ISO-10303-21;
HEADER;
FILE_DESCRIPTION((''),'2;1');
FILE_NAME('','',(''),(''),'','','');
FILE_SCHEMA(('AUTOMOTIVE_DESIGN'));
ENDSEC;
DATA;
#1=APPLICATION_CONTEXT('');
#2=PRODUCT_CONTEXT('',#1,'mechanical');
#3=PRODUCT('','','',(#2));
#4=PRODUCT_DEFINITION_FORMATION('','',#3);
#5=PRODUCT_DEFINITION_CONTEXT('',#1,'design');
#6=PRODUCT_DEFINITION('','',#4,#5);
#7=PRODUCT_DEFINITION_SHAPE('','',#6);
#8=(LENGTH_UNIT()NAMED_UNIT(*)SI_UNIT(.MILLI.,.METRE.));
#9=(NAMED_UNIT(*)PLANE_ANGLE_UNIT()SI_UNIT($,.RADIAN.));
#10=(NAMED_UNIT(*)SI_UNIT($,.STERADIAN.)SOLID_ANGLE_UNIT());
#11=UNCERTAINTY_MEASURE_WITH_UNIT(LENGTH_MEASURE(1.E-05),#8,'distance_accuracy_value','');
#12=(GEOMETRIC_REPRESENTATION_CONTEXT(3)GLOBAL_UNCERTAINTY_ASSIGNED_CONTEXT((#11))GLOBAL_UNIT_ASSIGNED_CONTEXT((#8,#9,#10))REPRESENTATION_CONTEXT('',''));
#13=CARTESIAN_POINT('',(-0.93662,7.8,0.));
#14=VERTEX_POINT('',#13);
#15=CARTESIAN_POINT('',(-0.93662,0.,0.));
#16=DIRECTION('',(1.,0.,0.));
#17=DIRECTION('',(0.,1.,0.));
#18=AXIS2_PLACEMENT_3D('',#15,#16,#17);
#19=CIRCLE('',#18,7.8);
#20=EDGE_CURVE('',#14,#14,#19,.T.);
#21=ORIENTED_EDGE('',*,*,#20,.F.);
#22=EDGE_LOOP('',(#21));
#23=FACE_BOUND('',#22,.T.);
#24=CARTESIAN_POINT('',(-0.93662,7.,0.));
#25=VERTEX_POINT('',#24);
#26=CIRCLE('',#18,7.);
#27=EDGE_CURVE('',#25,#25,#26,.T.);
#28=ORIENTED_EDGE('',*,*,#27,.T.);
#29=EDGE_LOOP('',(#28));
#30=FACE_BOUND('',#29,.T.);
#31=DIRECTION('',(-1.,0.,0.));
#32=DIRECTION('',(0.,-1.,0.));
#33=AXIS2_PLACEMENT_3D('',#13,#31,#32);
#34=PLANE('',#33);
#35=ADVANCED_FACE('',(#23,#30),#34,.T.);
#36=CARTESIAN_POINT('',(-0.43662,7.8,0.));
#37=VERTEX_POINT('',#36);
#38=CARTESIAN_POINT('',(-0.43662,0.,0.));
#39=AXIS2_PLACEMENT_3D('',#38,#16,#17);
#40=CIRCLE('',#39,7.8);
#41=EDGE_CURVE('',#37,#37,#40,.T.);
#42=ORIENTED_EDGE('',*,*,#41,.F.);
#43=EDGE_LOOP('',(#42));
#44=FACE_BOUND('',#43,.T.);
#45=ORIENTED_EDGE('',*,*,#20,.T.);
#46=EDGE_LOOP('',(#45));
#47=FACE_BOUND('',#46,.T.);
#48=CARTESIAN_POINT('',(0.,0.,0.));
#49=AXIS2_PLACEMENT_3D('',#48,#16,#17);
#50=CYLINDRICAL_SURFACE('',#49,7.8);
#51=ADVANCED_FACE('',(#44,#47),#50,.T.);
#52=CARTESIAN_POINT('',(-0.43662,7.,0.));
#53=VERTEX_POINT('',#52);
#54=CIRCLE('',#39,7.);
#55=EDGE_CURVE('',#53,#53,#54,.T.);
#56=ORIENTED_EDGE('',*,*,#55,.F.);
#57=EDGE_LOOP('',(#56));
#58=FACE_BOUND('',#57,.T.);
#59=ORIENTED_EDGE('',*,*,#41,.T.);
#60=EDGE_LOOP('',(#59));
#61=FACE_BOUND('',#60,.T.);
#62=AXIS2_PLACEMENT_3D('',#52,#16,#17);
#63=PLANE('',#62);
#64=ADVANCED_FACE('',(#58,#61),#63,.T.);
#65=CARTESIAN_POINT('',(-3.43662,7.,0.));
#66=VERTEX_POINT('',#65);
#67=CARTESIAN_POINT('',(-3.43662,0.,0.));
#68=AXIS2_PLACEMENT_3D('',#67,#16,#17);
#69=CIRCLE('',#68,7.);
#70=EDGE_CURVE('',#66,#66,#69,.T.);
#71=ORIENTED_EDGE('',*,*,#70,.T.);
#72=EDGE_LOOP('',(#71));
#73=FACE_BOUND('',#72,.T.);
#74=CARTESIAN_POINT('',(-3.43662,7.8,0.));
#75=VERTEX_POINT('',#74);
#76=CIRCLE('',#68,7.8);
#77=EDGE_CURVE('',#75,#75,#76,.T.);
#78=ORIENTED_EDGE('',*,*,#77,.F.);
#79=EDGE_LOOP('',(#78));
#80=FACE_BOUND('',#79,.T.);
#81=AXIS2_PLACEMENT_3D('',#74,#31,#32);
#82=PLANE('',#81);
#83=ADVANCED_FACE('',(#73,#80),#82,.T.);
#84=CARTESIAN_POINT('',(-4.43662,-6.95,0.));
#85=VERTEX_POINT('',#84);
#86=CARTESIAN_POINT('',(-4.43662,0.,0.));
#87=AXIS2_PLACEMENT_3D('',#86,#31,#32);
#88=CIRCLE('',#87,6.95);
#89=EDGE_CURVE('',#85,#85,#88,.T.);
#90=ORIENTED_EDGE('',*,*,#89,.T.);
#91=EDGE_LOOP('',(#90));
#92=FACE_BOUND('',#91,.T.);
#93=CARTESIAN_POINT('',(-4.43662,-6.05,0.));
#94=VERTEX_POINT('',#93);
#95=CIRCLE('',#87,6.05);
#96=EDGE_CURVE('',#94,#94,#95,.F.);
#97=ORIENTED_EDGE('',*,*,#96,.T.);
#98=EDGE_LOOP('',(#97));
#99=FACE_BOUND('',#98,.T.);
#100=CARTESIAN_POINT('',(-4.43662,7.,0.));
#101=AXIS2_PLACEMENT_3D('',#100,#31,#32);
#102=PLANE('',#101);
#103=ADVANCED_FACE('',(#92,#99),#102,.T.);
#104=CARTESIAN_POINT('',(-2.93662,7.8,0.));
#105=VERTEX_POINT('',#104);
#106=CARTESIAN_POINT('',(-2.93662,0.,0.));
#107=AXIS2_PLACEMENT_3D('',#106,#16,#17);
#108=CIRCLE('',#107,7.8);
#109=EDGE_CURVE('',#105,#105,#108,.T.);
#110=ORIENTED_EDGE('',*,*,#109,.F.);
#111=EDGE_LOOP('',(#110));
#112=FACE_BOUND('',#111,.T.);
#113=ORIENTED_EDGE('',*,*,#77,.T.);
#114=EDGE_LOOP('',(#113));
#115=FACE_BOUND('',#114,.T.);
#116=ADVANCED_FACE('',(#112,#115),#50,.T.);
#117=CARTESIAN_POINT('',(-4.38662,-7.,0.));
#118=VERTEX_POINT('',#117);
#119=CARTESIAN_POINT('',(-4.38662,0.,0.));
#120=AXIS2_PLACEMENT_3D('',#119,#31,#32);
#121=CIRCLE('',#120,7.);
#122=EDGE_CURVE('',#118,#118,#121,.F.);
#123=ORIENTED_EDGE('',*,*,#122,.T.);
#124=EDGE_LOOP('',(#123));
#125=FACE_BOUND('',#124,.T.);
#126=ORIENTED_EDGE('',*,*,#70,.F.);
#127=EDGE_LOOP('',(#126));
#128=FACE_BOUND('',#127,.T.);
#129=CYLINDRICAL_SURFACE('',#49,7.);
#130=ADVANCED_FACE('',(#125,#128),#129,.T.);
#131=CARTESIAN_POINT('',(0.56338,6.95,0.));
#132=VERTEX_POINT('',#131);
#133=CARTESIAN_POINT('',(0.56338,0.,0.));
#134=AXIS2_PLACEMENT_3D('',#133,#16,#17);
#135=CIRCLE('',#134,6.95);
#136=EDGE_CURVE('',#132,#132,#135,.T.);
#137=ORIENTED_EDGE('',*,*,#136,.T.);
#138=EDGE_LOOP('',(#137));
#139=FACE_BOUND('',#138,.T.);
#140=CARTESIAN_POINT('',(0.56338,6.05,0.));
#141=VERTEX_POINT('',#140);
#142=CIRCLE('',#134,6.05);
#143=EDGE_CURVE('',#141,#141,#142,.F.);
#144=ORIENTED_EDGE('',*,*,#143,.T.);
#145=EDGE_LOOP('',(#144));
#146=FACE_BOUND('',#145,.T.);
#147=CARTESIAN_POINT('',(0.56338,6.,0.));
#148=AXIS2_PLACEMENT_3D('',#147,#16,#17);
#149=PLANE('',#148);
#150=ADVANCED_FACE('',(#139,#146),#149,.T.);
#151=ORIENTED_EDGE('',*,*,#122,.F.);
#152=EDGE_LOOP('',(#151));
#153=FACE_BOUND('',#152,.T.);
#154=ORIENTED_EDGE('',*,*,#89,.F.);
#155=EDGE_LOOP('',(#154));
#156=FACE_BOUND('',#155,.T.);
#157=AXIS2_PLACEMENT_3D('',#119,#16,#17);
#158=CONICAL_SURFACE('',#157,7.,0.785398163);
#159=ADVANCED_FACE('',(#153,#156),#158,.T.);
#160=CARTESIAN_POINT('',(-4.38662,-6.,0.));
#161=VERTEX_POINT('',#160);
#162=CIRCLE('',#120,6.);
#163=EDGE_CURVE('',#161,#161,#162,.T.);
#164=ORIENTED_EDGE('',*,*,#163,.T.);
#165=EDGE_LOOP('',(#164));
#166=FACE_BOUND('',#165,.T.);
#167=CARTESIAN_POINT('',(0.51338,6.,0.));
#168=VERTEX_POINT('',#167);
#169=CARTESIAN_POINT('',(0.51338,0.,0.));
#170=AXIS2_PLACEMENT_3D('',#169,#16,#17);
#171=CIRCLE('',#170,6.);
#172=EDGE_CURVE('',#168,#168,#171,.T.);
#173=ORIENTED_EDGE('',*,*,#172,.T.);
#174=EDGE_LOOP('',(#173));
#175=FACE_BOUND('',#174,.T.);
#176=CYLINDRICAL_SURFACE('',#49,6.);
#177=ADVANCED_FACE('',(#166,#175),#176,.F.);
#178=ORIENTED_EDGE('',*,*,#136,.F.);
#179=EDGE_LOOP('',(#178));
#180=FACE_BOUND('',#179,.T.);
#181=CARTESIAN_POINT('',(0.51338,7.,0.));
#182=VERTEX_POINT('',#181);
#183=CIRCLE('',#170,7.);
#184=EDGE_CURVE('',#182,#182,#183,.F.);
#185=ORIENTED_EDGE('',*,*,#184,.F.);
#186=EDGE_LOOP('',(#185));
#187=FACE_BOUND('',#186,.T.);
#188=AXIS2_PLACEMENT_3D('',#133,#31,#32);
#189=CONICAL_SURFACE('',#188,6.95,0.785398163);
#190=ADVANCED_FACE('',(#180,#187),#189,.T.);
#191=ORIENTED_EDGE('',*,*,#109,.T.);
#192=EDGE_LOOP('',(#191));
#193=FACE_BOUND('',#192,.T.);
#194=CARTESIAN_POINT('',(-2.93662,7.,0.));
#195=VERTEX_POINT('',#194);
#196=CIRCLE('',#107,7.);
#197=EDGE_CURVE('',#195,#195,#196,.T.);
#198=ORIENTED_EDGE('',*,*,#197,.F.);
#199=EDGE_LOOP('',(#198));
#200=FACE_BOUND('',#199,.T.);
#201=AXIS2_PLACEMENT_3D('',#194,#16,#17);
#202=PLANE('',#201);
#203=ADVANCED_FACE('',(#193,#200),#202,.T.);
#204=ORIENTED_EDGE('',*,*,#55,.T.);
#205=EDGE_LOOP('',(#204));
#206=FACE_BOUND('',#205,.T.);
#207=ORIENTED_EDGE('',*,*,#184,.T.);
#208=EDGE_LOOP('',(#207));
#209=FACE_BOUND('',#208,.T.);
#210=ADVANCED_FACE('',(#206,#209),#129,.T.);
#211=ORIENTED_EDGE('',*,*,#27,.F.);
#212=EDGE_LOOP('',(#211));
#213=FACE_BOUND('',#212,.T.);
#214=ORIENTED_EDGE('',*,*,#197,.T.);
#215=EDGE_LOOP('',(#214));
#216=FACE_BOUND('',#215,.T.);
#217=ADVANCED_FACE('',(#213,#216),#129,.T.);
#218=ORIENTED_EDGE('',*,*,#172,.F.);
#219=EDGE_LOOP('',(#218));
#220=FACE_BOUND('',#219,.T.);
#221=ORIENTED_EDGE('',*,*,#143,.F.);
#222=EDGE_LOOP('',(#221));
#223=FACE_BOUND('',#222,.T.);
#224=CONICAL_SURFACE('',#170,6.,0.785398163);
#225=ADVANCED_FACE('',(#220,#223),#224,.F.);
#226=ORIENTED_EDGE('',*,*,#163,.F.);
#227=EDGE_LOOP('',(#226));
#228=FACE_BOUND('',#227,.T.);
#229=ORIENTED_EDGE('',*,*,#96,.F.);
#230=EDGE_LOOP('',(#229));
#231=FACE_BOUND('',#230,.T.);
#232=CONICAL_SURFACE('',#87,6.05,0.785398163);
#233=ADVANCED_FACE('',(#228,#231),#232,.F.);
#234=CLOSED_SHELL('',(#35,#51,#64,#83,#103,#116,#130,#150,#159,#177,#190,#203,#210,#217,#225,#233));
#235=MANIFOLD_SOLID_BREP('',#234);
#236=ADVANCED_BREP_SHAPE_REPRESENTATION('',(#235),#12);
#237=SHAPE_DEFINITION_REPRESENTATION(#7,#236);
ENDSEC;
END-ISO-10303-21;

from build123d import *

# Parameters (mm, degrees)
SMUSSO1_SIZE = 0.05


with BuildPart() as part:
    # Schizzo1 → Rivoluzione1 (revolve)
    with BuildSketch(Plane.XY):
        Polygon((-4.436619718, 6), (0.563380282, 6), (0.563380282, 7), (-0.436619718, 7), (-0.436619718, 7.8), (-0.936619718, 7.8), (-0.936619718, 7), (-2.936619718, 7), (-2.936619718, 7.8), (-3.436619718, 7.8), (-3.436619718, 7), (-4.436619718, 7), align=None)
    revolve(axis=Axis((0, 0, 0), (-1, 0, 0)))

    # Smusso1
    smusso1_edges = [part.edges().sort_by_distance(p)[0] for p in [
        (0.563380282, -7, 0),
        (0.563380282, -6, 0),
        (-4.436619718, -6, 0),
        (-4.436619718, -7, 0),
    ]]
    chamfer(smusso1_edges, length=SMUSSO1_SIZE)


solid = part.part
